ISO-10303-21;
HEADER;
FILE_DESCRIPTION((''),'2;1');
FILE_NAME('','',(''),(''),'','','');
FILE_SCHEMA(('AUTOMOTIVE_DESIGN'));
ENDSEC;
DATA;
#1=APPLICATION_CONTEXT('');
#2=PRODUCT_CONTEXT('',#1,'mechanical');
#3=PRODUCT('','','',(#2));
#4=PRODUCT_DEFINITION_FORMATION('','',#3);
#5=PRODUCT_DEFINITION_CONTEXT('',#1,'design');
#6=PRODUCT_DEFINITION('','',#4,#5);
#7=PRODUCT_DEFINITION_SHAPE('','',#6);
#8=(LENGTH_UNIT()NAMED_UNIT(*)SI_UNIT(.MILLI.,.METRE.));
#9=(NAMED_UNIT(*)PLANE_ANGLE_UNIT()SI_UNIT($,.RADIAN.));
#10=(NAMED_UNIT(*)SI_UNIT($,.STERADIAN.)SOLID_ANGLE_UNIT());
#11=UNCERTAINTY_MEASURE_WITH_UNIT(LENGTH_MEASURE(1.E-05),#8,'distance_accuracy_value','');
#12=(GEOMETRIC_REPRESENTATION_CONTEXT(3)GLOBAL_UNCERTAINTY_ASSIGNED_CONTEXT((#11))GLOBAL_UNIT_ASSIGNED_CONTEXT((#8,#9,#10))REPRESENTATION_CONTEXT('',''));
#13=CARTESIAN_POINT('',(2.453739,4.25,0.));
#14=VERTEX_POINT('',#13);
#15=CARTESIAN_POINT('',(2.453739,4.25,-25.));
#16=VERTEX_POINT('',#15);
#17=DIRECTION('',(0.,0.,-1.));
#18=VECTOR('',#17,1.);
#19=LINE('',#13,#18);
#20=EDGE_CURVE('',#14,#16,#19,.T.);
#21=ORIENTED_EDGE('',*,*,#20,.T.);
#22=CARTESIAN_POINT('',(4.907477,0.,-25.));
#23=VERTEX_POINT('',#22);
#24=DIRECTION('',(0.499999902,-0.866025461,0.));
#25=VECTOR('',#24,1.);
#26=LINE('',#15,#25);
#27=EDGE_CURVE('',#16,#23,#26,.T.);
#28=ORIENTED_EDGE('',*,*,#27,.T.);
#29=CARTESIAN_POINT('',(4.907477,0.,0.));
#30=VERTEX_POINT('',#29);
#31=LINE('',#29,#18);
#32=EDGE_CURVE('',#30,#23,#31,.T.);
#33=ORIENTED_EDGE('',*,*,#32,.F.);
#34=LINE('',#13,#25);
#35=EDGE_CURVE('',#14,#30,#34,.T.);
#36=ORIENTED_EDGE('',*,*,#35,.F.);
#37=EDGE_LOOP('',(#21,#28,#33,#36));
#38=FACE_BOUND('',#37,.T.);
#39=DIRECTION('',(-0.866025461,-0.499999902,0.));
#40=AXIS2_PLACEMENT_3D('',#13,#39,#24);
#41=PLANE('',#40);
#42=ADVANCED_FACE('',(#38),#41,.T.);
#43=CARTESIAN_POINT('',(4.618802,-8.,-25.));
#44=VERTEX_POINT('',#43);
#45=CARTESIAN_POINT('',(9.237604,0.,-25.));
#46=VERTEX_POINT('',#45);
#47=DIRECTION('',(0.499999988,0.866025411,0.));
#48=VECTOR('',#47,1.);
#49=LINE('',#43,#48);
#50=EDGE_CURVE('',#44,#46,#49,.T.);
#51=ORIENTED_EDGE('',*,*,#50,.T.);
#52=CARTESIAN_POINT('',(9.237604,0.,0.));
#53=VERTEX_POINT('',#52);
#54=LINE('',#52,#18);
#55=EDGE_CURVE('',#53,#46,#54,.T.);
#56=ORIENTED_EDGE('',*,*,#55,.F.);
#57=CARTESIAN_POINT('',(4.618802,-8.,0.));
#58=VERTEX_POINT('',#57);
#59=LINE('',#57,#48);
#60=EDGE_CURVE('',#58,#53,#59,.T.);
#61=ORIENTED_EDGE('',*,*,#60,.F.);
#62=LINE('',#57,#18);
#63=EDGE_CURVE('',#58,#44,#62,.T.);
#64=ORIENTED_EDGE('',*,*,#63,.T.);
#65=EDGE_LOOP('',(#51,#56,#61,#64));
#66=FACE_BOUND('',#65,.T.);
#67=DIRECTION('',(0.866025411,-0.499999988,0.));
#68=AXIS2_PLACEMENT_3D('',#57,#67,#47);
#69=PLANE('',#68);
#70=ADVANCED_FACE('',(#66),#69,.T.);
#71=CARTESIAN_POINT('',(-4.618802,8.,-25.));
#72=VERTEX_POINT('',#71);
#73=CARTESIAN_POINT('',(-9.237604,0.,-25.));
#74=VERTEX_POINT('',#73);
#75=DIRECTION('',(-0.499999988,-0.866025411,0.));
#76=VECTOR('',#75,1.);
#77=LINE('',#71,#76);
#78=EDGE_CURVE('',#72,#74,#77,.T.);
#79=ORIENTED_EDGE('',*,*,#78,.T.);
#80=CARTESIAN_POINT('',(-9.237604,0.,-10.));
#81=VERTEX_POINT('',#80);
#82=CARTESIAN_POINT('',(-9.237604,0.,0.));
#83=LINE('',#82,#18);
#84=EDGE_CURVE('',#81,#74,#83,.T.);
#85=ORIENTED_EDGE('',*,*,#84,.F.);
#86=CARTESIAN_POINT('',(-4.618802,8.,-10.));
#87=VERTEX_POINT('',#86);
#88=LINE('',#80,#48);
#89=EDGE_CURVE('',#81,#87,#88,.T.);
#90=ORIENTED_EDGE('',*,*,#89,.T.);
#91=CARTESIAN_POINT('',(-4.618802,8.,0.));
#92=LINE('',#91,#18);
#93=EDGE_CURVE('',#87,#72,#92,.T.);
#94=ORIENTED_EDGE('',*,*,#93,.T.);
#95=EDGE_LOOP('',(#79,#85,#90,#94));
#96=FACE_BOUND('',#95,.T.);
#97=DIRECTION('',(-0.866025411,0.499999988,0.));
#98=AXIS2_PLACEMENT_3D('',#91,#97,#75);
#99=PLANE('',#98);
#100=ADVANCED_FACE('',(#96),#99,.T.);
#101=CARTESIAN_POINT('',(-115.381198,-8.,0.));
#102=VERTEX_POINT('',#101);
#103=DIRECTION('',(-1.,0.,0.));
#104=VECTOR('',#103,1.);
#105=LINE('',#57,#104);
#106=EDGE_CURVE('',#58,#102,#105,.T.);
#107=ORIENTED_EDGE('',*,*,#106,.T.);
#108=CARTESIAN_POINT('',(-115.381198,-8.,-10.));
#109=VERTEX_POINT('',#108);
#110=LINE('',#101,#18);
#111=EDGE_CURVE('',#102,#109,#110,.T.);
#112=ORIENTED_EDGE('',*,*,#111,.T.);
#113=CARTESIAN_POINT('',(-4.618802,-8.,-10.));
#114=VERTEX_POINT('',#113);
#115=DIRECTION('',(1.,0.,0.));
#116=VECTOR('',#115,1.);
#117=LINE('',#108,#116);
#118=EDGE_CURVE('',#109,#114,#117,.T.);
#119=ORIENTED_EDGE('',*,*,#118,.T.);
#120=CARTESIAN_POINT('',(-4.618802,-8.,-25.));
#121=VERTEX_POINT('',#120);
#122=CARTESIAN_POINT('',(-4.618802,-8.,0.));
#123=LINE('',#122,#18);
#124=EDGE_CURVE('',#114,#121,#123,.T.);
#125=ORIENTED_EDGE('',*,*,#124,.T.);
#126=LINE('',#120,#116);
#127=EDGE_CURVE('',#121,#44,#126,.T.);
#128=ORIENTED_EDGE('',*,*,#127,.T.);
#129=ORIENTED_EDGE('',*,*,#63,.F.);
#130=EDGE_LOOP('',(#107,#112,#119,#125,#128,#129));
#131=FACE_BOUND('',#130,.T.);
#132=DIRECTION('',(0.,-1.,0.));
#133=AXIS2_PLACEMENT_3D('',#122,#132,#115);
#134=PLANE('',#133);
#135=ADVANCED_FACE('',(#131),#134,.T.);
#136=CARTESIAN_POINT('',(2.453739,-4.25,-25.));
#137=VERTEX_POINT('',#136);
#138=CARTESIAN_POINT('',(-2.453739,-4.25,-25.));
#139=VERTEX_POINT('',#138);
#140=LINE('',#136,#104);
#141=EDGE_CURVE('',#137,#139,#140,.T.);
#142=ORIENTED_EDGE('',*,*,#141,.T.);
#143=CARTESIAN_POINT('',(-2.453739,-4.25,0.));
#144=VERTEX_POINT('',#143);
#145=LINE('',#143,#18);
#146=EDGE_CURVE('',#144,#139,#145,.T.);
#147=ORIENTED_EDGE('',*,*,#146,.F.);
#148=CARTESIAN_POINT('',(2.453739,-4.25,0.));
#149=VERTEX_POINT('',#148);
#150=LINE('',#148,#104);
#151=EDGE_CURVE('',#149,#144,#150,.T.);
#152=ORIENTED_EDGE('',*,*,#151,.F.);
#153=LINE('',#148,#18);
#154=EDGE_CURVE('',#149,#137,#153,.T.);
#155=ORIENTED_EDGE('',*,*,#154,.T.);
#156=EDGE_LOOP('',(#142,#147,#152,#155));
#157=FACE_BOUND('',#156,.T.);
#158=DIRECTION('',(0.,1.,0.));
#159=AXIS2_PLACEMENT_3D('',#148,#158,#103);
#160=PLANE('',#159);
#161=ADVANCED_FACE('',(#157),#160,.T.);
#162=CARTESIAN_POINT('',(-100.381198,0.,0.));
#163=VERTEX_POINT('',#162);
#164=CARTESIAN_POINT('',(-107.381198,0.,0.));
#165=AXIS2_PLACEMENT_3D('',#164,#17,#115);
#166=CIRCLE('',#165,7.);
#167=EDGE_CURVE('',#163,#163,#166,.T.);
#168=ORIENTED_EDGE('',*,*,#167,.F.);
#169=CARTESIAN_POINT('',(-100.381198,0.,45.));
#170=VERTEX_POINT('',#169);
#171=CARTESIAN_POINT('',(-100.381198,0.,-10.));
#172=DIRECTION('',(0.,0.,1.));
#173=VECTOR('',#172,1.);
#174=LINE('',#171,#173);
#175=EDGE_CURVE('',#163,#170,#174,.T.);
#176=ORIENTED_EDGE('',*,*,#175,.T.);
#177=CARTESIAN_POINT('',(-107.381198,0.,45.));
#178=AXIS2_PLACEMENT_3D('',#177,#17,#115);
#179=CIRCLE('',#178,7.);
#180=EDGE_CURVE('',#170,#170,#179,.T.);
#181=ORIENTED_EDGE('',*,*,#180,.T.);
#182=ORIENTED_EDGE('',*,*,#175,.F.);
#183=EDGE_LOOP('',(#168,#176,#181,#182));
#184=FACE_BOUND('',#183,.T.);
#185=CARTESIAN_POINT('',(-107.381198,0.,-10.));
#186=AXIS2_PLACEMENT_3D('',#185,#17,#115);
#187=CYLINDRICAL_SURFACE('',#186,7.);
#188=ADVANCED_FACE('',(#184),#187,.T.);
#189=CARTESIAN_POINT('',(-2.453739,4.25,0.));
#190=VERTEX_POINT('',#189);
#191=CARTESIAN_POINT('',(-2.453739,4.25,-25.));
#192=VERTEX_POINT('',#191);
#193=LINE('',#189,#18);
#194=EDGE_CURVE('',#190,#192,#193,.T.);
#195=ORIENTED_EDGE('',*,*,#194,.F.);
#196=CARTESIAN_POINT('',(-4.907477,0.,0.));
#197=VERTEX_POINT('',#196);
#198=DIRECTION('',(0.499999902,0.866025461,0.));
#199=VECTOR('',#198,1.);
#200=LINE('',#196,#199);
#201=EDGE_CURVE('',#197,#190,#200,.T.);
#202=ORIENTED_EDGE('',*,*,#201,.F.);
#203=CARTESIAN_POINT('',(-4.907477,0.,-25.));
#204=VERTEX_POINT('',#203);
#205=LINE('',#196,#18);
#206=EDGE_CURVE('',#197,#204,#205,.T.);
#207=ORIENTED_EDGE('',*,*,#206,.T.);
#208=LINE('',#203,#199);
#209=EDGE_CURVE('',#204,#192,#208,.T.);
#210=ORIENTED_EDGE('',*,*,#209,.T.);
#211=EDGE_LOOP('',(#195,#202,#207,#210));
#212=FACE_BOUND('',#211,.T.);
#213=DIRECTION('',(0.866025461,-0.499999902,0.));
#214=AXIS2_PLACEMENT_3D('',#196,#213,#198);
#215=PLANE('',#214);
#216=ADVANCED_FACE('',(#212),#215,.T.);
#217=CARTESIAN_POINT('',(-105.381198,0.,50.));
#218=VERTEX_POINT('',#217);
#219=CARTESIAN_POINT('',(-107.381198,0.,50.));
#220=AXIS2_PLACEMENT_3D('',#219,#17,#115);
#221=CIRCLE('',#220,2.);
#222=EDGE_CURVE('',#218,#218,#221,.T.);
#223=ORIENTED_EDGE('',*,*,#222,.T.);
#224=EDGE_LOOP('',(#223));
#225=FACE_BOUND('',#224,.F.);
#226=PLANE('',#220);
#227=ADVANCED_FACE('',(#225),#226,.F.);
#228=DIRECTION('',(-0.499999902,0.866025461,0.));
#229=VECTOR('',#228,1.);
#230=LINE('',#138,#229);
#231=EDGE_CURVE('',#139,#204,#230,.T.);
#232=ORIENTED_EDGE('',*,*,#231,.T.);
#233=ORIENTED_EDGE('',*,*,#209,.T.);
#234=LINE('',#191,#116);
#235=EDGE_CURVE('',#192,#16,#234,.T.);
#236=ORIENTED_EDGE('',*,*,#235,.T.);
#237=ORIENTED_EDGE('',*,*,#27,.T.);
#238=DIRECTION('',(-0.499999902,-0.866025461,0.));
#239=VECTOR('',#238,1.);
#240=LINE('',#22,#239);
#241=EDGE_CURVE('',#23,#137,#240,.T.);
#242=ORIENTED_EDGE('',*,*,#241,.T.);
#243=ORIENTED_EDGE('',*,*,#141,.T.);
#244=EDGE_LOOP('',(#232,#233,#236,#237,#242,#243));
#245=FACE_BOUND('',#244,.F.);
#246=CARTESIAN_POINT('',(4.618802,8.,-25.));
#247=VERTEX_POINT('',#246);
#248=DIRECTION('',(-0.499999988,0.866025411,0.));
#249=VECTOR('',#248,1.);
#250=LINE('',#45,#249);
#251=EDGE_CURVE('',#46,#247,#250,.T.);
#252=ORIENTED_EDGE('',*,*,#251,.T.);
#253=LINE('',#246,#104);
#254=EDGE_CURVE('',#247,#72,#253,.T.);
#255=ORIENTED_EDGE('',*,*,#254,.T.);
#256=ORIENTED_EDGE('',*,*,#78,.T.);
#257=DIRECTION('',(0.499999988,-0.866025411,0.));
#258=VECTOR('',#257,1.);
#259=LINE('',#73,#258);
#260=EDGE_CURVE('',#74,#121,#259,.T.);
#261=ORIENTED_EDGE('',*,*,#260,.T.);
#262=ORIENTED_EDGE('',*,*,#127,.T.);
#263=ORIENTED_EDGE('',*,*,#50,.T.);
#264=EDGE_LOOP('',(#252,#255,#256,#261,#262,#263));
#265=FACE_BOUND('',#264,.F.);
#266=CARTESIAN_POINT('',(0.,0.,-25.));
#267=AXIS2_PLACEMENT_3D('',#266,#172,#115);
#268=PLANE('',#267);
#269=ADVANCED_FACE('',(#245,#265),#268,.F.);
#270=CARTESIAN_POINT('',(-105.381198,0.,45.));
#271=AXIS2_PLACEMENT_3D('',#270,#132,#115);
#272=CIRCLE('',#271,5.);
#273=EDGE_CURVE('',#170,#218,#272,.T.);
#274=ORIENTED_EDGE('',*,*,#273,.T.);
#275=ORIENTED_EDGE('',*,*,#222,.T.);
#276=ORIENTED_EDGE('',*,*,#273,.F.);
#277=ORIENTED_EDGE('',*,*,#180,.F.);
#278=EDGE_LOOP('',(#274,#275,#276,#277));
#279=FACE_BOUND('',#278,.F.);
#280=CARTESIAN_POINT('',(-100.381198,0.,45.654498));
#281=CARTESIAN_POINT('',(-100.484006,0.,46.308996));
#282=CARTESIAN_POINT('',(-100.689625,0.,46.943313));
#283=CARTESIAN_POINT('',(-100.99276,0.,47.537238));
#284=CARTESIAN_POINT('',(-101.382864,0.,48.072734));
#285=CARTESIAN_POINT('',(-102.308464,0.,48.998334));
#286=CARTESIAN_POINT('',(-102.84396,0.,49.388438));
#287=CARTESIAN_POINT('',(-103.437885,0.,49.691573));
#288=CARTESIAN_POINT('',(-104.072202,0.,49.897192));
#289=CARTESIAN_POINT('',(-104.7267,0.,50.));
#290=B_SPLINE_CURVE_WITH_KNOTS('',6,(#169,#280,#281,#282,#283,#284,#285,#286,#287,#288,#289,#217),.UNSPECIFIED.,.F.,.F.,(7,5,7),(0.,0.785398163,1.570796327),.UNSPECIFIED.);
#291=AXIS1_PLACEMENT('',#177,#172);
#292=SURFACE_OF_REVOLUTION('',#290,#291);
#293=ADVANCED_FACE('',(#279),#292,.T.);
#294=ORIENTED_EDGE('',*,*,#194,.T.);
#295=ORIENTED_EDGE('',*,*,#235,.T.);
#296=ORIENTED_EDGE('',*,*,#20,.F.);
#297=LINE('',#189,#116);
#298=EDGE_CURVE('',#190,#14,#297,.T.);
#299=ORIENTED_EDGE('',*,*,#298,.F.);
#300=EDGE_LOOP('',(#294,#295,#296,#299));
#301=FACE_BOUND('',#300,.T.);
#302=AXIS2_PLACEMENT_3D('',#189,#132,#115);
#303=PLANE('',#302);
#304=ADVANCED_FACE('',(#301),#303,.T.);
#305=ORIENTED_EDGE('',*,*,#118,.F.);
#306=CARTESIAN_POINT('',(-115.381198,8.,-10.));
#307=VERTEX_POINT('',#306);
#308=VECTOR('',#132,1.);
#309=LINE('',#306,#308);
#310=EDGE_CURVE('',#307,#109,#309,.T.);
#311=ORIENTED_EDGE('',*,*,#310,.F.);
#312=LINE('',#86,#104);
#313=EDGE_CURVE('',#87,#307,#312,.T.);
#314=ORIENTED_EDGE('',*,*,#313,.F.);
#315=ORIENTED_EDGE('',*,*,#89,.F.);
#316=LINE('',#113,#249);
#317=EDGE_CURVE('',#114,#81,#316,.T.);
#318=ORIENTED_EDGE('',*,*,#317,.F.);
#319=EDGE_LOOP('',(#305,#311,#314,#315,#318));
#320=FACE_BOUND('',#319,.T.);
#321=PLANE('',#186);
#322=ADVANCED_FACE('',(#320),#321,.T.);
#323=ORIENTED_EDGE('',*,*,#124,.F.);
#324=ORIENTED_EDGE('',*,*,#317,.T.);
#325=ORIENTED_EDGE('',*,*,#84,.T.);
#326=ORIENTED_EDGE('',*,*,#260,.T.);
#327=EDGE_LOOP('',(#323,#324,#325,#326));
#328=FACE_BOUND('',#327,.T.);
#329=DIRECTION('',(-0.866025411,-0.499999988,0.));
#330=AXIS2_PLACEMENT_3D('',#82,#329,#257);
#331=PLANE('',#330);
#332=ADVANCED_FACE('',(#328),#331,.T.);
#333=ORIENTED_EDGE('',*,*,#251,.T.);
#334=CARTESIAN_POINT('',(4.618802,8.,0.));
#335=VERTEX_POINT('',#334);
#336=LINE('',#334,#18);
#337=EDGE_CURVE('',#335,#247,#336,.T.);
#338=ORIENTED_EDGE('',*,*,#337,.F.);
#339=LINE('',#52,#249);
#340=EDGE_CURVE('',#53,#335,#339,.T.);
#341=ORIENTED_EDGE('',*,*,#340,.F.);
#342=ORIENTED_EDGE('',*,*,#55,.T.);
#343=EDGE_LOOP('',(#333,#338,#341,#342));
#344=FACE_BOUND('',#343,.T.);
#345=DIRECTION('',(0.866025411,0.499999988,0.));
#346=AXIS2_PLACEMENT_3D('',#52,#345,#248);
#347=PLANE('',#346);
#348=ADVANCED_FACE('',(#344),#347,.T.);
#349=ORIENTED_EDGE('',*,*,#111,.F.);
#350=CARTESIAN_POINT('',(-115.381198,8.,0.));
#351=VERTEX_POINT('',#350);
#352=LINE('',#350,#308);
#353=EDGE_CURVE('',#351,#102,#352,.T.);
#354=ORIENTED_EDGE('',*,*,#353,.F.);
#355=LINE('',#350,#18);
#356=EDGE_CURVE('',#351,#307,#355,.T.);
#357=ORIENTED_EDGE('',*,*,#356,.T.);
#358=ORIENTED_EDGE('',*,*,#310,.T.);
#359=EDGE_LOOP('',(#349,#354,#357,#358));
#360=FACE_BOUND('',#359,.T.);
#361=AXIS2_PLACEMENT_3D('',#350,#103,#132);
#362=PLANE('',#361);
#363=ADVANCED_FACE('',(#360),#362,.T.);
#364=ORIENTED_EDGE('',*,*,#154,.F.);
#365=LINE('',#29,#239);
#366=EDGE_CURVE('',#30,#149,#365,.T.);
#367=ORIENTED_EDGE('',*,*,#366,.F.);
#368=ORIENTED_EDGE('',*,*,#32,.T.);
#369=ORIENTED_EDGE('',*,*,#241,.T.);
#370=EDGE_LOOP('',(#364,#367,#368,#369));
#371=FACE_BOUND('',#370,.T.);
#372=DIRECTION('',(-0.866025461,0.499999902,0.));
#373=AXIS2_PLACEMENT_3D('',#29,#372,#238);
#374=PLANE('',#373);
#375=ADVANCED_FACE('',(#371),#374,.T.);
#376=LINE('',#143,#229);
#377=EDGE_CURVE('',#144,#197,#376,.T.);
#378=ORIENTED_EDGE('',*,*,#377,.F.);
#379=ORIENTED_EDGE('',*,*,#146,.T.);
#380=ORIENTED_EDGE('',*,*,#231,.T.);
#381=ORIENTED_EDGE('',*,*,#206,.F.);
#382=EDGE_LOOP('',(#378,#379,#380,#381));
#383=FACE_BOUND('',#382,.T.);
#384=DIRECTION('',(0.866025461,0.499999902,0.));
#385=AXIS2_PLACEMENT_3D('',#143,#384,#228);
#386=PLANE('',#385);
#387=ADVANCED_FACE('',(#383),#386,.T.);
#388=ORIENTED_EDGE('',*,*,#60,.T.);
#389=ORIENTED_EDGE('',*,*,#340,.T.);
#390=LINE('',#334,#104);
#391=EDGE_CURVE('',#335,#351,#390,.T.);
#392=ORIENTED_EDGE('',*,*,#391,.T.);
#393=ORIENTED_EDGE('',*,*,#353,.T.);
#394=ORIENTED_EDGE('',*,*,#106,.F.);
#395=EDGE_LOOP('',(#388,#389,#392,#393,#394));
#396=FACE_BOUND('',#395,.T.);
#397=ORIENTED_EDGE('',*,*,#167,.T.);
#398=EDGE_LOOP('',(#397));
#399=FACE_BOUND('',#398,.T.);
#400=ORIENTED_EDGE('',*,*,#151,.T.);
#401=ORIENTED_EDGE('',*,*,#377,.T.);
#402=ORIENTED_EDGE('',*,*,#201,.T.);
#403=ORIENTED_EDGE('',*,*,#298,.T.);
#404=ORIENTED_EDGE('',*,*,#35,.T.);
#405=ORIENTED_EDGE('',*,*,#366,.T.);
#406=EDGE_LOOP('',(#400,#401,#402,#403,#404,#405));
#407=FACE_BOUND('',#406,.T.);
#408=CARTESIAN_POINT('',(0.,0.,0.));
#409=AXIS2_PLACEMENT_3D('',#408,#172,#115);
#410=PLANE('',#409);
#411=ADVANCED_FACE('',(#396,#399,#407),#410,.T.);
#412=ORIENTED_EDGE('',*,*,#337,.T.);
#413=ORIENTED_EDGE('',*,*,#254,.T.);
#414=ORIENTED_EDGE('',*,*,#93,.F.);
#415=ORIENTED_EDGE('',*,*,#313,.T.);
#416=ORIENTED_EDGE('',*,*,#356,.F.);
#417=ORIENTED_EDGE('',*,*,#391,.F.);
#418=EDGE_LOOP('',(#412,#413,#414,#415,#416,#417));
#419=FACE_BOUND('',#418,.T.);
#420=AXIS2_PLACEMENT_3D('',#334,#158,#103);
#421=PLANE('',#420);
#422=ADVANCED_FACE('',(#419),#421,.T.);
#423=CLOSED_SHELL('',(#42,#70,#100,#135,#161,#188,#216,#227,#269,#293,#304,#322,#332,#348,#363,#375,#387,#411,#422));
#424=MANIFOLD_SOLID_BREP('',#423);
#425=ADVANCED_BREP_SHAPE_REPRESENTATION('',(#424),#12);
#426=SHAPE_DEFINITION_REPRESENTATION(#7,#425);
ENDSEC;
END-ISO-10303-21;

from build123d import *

# Parameters (mm, degrees)
F1_DEPTH = 10
F2_DEPTH = 25
F3_R     = 7
F4_DEPTH = 60
F5_R     = 5


with BuildPart() as f1:
    # F0 (on Top) → F1 (new body)
    with BuildSketch(Plane.XY):
        Polygon((-115.381198, -8), (-4.618802, -8), (-9.237604, 0), (-4.618802, 8), (-115.381198, 8), align=None)
    extrude(amount=-F1_DEPTH)

    # F0 (on Top) → F2 (join)
    with BuildSketch(Plane.XY):
        Polygon((4.618802, -8), (9.237604, 0), (4.618802, 8), (-4.618802, 8), (-9.237604, 0), (-4.618802, -8), align=None)
        Polygon((2.453739, 4.25), (4.907477, 0), (2.453739, -4.25), (-2.453739, -4.25), (-4.907477, 0), (-2.453739, 4.25), align=None, mode=Mode.SUBTRACT)
    extrude(amount=-F2_DEPTH)

    # F3 (on face) → F4 (join)
    with BuildSketch(Plane(origin=(0, 0, -10), x_dir=(1, 0, 0), z_dir=(0, 0, -1))):
        with Locations((-107.381198, 0)):
            Circle(F3_R)
    extrude(amount=-F4_DEPTH)

    # F5
    f5_edges = [f1.edges().sort_by_distance(p)[0] for p in [
        (-114.381198, 0, 50),
    ]]
    fillet(f5_edges, radius=F5_R)


solid = f1.part
